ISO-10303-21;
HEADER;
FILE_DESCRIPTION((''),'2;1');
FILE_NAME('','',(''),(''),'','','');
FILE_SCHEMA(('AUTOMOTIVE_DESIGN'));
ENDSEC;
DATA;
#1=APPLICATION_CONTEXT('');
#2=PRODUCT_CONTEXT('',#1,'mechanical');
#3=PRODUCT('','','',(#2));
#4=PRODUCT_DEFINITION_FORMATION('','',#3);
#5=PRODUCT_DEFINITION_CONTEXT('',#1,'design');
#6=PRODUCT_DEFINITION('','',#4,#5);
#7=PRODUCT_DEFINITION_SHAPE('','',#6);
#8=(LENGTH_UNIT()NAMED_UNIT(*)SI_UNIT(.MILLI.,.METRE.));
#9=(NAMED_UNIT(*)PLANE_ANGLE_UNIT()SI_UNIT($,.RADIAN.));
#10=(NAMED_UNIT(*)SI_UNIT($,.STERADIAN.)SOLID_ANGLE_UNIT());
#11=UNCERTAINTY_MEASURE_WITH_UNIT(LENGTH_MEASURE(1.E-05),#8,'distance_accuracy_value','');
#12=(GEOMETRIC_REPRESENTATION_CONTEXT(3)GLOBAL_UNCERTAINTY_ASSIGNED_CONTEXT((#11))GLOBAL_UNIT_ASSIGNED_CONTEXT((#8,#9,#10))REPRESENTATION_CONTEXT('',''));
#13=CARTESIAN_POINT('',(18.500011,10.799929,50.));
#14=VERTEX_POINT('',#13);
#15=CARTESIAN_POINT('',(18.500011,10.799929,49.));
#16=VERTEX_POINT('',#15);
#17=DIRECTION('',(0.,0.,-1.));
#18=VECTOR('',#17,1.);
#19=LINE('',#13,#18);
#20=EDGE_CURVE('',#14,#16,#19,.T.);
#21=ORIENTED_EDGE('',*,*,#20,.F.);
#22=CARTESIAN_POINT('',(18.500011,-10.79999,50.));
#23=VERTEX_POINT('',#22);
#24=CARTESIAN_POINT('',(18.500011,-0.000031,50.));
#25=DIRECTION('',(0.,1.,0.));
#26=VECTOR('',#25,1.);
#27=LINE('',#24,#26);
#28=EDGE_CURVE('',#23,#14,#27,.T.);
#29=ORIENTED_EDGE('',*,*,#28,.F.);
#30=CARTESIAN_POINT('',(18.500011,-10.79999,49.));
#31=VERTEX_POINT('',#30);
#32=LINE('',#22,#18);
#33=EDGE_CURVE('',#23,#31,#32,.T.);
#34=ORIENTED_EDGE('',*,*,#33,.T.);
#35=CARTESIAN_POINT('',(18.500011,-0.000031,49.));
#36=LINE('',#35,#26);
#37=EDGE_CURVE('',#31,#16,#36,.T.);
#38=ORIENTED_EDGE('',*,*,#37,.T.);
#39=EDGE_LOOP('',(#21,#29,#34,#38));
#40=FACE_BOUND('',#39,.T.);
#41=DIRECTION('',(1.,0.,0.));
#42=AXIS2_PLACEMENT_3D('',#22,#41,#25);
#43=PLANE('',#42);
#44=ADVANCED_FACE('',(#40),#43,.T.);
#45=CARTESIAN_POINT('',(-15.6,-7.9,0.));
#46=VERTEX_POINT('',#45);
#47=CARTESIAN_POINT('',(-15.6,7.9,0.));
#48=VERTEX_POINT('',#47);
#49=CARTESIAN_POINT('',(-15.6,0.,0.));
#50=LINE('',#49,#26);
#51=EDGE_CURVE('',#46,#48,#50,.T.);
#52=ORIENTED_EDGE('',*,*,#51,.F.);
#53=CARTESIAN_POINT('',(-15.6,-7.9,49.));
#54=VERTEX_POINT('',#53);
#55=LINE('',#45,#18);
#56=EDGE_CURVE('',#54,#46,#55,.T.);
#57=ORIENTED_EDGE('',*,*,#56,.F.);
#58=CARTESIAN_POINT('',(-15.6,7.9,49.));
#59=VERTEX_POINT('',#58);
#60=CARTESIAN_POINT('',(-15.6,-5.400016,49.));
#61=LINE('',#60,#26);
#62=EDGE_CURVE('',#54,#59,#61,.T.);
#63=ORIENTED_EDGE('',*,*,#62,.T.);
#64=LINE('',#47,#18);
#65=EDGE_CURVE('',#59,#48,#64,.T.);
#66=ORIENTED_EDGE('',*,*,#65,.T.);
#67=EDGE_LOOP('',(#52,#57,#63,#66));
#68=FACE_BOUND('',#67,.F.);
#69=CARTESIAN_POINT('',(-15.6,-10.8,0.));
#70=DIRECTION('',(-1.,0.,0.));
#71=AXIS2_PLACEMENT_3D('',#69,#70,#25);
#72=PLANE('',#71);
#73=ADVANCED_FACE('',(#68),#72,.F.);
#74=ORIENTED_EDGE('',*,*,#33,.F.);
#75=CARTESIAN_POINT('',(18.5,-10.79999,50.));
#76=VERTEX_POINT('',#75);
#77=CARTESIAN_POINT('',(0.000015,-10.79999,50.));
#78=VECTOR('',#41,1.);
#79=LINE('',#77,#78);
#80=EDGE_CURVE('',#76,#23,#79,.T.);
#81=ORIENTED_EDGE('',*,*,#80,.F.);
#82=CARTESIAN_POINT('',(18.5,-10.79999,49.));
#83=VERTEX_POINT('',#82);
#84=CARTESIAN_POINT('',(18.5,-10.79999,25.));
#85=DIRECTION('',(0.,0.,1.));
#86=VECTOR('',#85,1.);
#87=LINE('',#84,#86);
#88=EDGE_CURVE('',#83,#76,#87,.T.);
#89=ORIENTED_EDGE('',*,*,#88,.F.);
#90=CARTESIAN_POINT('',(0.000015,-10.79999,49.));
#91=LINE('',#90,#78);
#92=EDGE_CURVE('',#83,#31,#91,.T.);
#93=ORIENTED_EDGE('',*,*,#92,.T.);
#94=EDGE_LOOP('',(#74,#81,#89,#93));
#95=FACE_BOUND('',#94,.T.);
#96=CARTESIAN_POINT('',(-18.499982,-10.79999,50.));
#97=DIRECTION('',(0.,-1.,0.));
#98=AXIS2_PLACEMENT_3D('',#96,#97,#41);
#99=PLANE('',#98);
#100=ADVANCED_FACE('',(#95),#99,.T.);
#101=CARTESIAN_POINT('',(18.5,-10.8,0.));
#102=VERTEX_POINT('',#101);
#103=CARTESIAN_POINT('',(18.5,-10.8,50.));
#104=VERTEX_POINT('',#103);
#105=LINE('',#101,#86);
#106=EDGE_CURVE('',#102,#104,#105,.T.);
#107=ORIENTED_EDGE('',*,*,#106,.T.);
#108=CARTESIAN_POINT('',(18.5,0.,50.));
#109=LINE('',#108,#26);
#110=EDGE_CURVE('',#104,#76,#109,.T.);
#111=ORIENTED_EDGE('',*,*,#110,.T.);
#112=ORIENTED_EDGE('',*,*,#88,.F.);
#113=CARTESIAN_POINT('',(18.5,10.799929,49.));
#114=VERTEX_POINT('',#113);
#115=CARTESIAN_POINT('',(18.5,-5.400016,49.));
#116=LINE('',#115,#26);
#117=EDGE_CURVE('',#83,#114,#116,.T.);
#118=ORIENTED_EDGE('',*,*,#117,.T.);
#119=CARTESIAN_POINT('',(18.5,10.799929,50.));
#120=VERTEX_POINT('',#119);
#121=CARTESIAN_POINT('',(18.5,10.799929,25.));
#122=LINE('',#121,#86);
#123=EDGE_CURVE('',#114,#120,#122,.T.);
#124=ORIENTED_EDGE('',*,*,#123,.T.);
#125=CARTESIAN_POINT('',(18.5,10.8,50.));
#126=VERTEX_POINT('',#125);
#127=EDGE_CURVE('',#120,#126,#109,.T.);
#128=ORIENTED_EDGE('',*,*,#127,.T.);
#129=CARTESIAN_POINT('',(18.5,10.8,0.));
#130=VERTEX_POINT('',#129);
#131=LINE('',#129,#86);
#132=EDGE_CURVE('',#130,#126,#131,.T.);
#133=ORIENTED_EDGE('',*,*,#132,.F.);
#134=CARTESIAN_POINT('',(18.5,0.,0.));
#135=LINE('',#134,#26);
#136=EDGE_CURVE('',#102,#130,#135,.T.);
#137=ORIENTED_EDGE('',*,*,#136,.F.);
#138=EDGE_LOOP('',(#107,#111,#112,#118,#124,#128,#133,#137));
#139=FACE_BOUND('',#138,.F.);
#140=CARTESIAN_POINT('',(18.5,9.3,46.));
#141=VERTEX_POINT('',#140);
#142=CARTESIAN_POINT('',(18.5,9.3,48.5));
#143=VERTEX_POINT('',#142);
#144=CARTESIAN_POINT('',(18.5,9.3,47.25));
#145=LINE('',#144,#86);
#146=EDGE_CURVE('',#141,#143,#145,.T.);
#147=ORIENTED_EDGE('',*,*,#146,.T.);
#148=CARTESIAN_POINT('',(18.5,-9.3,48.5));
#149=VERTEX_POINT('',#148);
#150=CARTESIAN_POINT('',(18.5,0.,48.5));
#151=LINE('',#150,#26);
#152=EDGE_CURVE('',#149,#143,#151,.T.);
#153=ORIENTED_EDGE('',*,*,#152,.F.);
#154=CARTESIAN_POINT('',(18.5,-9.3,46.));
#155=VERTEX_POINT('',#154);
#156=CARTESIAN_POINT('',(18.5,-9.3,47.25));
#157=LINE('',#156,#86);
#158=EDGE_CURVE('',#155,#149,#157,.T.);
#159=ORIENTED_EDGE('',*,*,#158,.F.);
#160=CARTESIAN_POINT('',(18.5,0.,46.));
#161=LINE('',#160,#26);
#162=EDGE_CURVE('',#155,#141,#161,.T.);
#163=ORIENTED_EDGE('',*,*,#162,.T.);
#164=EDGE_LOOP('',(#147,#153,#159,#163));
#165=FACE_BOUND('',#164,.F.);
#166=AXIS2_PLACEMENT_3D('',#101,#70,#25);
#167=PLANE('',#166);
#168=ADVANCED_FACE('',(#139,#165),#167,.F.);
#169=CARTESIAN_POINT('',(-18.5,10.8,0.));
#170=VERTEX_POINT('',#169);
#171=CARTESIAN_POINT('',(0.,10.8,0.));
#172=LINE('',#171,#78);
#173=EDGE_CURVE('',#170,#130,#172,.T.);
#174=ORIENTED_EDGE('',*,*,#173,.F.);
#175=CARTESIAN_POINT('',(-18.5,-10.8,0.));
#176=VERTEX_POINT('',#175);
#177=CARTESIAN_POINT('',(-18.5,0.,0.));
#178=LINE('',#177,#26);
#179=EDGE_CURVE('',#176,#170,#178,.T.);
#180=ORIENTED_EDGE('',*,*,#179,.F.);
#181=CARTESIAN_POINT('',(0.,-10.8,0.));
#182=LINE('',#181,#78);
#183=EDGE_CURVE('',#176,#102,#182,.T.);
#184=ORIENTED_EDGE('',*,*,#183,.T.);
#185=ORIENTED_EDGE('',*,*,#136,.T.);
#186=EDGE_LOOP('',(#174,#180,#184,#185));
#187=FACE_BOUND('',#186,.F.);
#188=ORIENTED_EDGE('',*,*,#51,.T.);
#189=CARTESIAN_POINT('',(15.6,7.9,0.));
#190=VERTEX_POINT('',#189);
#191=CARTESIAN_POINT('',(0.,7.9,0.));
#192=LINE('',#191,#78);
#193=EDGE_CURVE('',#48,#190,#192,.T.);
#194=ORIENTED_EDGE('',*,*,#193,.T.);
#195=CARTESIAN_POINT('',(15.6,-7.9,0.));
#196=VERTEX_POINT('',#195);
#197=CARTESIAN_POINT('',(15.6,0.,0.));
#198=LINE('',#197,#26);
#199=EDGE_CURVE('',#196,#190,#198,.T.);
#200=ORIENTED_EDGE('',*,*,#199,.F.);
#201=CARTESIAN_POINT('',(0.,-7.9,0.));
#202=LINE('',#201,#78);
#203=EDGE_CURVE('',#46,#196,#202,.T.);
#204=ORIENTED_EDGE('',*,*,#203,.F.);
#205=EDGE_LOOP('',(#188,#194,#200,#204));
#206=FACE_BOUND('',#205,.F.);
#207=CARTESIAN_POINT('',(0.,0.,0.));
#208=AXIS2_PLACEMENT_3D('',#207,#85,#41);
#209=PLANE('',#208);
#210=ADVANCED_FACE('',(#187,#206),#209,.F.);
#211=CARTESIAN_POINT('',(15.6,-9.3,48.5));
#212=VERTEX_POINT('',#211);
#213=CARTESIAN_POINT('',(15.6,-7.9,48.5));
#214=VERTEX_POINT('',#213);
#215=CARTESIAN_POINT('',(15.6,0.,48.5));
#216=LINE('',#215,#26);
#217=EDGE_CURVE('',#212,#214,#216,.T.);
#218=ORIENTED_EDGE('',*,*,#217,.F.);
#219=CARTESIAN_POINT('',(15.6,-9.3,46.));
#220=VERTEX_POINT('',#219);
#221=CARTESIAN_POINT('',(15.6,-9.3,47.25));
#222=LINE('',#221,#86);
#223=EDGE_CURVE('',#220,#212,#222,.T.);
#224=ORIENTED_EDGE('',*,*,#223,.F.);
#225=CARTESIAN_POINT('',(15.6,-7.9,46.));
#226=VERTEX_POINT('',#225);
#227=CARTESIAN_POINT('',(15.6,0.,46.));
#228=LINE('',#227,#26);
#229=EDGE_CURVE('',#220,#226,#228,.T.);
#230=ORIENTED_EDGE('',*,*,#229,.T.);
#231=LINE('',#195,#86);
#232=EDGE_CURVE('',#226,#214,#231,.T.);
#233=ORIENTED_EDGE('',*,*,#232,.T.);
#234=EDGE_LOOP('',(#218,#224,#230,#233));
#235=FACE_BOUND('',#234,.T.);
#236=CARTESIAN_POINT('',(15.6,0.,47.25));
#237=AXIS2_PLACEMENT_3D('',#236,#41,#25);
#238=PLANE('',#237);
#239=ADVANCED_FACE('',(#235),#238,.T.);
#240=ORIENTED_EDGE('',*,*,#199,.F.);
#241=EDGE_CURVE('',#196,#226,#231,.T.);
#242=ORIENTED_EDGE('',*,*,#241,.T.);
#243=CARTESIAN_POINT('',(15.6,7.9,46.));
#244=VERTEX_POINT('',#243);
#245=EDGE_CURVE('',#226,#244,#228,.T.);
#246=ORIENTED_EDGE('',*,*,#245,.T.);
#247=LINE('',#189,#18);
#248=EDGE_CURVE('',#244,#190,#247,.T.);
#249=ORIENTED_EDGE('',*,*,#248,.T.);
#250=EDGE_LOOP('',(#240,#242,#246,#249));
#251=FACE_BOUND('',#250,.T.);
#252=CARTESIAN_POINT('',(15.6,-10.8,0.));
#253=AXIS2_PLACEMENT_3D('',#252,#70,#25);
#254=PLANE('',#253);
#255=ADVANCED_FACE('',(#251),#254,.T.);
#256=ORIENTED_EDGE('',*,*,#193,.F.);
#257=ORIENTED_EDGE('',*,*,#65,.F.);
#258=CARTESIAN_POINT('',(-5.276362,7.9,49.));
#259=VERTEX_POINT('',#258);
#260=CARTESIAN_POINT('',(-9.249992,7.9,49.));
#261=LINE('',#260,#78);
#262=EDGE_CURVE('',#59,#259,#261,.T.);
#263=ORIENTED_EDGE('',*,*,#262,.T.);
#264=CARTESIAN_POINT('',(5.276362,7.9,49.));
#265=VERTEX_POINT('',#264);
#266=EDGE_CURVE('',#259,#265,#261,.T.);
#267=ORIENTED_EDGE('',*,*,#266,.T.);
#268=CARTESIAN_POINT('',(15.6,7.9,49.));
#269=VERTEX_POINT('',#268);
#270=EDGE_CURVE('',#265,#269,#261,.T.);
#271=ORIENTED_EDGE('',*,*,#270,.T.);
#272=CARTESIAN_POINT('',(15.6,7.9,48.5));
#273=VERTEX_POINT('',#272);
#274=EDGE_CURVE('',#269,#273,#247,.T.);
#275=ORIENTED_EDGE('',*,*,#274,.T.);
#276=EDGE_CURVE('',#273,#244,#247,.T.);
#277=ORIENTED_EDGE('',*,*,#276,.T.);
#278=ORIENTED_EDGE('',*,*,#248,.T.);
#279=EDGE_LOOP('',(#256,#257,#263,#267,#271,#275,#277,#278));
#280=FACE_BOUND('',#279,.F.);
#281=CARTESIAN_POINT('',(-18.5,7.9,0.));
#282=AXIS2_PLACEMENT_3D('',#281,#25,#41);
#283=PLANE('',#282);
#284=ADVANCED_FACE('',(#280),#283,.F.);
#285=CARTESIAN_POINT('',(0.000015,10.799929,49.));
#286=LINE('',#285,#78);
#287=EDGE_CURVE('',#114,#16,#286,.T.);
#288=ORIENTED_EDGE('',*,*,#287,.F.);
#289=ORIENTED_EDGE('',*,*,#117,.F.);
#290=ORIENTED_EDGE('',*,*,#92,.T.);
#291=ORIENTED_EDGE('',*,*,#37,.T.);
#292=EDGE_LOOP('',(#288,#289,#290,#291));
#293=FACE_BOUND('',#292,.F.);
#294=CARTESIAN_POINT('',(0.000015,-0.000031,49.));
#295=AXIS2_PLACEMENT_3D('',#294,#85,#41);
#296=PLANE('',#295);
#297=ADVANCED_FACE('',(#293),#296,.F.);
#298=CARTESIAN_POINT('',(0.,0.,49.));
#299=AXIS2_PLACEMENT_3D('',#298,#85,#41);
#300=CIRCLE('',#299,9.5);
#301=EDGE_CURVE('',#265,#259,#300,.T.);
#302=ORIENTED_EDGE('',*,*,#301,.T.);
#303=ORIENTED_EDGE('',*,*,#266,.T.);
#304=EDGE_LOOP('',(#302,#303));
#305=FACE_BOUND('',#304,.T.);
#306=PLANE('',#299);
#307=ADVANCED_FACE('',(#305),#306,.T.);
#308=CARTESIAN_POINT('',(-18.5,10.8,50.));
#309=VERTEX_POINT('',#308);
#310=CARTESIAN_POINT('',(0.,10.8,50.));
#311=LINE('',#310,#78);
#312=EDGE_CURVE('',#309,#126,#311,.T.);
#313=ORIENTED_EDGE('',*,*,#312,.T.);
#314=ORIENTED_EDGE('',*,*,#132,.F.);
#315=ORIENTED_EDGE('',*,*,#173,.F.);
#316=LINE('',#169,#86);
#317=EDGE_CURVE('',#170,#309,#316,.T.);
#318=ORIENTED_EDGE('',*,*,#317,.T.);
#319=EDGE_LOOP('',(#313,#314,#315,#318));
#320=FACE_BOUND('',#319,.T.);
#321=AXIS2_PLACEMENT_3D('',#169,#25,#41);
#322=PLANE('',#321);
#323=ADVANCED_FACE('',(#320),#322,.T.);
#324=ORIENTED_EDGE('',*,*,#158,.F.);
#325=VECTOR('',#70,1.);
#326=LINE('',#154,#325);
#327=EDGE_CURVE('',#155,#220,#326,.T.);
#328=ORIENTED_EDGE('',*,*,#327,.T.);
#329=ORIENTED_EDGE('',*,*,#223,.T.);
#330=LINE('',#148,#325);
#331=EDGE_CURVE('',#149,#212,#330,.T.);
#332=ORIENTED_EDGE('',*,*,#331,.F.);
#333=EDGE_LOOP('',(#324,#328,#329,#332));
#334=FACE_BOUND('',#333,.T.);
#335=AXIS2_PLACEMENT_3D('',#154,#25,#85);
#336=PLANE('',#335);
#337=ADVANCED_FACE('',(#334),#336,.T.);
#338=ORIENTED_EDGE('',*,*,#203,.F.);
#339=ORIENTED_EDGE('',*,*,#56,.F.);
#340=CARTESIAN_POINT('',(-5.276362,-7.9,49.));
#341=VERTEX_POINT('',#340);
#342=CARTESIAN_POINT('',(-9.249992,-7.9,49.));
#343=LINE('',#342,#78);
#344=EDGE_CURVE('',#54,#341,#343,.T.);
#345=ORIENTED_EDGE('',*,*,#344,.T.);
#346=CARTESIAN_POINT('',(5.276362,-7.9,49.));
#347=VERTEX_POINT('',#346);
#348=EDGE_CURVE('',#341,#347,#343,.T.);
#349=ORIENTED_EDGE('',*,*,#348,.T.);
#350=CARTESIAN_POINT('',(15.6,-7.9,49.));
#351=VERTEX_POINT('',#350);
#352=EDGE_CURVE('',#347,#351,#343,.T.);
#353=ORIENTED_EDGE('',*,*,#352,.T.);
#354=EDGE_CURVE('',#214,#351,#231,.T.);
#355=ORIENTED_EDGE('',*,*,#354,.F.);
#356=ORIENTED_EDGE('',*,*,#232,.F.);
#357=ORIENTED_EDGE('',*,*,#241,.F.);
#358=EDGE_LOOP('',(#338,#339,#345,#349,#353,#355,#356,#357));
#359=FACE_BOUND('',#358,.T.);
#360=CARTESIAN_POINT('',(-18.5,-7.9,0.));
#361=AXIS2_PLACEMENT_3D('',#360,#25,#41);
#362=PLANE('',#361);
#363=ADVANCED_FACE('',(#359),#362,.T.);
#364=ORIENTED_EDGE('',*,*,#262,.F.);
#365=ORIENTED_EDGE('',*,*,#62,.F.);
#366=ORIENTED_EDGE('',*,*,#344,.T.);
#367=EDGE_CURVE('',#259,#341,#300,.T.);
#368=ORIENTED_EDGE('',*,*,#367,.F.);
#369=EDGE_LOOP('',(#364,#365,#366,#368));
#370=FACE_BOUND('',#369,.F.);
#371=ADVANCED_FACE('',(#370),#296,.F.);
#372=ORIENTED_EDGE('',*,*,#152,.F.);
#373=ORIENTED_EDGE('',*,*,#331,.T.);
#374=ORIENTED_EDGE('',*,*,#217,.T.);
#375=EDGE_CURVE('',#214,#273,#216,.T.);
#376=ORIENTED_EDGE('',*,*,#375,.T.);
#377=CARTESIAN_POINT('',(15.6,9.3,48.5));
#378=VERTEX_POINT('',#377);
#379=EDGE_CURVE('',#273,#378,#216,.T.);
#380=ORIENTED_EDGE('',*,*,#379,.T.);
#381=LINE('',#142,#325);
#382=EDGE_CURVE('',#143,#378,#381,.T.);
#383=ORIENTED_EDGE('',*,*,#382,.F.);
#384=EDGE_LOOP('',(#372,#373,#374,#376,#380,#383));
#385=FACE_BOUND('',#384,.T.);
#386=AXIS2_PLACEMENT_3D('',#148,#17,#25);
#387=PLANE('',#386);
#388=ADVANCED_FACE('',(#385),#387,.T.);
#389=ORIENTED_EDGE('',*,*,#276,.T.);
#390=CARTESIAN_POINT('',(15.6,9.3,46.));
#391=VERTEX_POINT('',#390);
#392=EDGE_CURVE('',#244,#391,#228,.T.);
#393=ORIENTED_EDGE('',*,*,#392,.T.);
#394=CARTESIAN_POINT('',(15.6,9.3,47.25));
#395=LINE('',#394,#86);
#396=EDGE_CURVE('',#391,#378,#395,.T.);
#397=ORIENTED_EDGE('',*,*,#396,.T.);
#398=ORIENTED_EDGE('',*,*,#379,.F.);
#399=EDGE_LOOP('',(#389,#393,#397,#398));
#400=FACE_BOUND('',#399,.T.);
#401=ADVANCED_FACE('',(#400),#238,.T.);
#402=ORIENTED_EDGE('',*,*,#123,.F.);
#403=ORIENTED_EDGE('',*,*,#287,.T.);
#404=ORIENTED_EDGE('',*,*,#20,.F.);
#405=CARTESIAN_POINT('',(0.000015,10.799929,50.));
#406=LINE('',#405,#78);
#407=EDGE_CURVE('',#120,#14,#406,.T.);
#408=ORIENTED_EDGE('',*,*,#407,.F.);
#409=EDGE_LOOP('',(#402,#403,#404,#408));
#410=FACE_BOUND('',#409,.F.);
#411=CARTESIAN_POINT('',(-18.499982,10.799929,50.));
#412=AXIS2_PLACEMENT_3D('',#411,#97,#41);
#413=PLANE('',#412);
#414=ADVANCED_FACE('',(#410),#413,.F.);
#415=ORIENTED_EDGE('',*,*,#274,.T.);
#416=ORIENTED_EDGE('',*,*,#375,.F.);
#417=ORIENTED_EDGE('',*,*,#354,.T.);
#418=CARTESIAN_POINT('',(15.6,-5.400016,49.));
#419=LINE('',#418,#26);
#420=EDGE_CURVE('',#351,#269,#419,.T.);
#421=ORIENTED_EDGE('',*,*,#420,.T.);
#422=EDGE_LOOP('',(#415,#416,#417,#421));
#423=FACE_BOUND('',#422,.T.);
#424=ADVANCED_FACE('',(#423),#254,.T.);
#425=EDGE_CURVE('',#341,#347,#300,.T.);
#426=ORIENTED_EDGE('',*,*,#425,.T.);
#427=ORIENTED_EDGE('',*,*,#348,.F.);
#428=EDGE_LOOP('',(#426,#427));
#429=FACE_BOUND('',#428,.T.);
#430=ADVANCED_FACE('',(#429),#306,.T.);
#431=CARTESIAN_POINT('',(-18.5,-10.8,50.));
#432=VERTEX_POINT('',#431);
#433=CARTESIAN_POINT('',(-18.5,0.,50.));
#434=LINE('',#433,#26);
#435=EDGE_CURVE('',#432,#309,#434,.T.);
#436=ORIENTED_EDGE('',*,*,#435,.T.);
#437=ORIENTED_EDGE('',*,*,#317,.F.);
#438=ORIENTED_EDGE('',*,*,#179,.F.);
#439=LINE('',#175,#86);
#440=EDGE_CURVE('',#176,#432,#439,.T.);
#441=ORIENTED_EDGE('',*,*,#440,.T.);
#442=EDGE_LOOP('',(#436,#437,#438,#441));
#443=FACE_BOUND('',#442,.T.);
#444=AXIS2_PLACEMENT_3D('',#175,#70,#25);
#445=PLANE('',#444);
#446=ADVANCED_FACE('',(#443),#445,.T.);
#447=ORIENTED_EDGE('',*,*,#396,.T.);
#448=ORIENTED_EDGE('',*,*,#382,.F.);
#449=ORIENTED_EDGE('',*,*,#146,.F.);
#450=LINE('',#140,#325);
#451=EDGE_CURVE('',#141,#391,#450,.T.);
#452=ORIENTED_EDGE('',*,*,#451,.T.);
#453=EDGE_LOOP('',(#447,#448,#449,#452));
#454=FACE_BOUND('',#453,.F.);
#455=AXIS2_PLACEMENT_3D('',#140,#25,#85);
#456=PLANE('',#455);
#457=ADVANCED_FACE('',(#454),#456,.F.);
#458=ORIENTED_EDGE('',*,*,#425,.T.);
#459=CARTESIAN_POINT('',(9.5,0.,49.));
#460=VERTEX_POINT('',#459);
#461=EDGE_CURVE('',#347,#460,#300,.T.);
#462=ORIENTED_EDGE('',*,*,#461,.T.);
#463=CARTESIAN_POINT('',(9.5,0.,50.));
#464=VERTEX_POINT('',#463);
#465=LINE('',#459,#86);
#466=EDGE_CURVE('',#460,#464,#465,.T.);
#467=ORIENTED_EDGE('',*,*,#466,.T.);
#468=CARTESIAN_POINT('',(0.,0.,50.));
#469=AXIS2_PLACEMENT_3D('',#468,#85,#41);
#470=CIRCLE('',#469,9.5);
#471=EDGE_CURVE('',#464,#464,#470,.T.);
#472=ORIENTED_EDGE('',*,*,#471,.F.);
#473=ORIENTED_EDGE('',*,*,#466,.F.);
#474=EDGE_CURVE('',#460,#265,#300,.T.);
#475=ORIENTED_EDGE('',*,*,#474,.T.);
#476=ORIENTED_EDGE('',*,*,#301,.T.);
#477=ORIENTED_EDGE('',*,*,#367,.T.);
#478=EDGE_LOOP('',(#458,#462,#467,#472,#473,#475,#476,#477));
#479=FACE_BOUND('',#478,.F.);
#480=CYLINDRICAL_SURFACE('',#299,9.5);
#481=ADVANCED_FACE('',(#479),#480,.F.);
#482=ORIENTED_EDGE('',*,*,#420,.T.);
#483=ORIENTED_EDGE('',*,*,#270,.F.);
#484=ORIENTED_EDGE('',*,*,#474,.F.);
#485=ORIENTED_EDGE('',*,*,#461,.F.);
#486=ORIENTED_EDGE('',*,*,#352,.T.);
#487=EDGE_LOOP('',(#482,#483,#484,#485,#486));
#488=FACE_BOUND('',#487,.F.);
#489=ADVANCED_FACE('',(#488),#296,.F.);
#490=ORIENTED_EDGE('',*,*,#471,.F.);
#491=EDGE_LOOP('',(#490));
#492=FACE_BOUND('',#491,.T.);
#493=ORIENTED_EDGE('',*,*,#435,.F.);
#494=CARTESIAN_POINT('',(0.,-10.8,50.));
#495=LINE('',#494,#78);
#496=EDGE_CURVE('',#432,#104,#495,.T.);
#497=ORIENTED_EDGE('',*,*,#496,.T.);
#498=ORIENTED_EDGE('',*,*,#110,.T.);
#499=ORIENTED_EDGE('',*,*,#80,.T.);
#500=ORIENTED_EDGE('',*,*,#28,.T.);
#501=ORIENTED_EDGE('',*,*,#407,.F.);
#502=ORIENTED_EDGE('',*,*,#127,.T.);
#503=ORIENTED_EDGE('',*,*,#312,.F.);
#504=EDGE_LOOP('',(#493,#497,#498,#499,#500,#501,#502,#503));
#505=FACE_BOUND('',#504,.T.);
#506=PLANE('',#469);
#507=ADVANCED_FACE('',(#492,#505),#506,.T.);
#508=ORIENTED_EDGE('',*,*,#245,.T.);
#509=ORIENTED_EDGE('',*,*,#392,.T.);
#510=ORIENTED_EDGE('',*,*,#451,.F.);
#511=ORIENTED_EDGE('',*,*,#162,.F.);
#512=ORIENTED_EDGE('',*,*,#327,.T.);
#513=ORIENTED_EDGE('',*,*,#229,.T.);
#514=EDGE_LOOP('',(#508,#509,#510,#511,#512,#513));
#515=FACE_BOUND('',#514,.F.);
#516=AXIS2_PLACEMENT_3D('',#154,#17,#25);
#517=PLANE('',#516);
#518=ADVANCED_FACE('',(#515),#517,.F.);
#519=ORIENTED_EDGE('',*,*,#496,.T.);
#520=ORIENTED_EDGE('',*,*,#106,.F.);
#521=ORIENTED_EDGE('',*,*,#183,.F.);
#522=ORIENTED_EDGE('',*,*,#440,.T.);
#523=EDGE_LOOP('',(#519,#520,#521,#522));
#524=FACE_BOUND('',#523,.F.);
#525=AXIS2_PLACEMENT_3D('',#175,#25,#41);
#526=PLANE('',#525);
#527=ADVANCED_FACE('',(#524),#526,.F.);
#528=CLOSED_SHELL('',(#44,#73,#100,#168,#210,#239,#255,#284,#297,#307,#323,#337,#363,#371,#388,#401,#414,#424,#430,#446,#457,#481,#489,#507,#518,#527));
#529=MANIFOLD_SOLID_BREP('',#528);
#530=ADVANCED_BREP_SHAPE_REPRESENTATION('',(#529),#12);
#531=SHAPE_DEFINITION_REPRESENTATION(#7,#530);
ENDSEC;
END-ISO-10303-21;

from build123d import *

# Parameters (mm, degrees)
F0_W            = 37
F0_H            = 21.6
F4_DEPTH        = 50
F5_T            = -2.9
F6_W            = 18.6
F6_H            = 2.5
F7_DEPTH        = 2.9
F8_W            = 36.999993
F8_H            = 21.599919
F9_DEPTH        = 1
F10_D           = 15.5
F10_CBORE_D     = 19
F10_CBORE_DEPTH = 1


with BuildPart() as f4:
    # F0 (on Top) → F4 (new body)
    with BuildSketch(Plane.XY):
        Rectangle(F0_W, F0_H)
    extrude(amount=F4_DEPTH)

    # F5
    f5_openings = [f4.faces().sort_by_distance(p)[0] for p in [
        (0, 0, 50),
        (0, 0, 0),
    ]]
    offset(amount=F5_T, openings=f5_openings)

    # F6 (on face) → F7 (cut)
    with BuildSketch(Plane.YZ.offset(18.5)):
        with Locations((0, 47.25)):
            Rectangle(F6_W, F6_H)
    extrude(amount=-F7_DEPTH, mode=Mode.SUBTRACT)

    # F8 (on offset) → F9 (join)
    with BuildSketch(Plane.XY.offset(50)):
        with Locations((1.5e-05, -3.1e-05)):
            Rectangle(F8_W, F8_H)
    extrude(amount=-F9_DEPTH)

    # F10 (through all)
    with Locations(Plane.XY.offset(50)):
        with Locations((0, 0)):
            CounterBoreHole(F10_D / 2, F10_CBORE_D / 2, F10_CBORE_DEPTH)


solid = f4.part
